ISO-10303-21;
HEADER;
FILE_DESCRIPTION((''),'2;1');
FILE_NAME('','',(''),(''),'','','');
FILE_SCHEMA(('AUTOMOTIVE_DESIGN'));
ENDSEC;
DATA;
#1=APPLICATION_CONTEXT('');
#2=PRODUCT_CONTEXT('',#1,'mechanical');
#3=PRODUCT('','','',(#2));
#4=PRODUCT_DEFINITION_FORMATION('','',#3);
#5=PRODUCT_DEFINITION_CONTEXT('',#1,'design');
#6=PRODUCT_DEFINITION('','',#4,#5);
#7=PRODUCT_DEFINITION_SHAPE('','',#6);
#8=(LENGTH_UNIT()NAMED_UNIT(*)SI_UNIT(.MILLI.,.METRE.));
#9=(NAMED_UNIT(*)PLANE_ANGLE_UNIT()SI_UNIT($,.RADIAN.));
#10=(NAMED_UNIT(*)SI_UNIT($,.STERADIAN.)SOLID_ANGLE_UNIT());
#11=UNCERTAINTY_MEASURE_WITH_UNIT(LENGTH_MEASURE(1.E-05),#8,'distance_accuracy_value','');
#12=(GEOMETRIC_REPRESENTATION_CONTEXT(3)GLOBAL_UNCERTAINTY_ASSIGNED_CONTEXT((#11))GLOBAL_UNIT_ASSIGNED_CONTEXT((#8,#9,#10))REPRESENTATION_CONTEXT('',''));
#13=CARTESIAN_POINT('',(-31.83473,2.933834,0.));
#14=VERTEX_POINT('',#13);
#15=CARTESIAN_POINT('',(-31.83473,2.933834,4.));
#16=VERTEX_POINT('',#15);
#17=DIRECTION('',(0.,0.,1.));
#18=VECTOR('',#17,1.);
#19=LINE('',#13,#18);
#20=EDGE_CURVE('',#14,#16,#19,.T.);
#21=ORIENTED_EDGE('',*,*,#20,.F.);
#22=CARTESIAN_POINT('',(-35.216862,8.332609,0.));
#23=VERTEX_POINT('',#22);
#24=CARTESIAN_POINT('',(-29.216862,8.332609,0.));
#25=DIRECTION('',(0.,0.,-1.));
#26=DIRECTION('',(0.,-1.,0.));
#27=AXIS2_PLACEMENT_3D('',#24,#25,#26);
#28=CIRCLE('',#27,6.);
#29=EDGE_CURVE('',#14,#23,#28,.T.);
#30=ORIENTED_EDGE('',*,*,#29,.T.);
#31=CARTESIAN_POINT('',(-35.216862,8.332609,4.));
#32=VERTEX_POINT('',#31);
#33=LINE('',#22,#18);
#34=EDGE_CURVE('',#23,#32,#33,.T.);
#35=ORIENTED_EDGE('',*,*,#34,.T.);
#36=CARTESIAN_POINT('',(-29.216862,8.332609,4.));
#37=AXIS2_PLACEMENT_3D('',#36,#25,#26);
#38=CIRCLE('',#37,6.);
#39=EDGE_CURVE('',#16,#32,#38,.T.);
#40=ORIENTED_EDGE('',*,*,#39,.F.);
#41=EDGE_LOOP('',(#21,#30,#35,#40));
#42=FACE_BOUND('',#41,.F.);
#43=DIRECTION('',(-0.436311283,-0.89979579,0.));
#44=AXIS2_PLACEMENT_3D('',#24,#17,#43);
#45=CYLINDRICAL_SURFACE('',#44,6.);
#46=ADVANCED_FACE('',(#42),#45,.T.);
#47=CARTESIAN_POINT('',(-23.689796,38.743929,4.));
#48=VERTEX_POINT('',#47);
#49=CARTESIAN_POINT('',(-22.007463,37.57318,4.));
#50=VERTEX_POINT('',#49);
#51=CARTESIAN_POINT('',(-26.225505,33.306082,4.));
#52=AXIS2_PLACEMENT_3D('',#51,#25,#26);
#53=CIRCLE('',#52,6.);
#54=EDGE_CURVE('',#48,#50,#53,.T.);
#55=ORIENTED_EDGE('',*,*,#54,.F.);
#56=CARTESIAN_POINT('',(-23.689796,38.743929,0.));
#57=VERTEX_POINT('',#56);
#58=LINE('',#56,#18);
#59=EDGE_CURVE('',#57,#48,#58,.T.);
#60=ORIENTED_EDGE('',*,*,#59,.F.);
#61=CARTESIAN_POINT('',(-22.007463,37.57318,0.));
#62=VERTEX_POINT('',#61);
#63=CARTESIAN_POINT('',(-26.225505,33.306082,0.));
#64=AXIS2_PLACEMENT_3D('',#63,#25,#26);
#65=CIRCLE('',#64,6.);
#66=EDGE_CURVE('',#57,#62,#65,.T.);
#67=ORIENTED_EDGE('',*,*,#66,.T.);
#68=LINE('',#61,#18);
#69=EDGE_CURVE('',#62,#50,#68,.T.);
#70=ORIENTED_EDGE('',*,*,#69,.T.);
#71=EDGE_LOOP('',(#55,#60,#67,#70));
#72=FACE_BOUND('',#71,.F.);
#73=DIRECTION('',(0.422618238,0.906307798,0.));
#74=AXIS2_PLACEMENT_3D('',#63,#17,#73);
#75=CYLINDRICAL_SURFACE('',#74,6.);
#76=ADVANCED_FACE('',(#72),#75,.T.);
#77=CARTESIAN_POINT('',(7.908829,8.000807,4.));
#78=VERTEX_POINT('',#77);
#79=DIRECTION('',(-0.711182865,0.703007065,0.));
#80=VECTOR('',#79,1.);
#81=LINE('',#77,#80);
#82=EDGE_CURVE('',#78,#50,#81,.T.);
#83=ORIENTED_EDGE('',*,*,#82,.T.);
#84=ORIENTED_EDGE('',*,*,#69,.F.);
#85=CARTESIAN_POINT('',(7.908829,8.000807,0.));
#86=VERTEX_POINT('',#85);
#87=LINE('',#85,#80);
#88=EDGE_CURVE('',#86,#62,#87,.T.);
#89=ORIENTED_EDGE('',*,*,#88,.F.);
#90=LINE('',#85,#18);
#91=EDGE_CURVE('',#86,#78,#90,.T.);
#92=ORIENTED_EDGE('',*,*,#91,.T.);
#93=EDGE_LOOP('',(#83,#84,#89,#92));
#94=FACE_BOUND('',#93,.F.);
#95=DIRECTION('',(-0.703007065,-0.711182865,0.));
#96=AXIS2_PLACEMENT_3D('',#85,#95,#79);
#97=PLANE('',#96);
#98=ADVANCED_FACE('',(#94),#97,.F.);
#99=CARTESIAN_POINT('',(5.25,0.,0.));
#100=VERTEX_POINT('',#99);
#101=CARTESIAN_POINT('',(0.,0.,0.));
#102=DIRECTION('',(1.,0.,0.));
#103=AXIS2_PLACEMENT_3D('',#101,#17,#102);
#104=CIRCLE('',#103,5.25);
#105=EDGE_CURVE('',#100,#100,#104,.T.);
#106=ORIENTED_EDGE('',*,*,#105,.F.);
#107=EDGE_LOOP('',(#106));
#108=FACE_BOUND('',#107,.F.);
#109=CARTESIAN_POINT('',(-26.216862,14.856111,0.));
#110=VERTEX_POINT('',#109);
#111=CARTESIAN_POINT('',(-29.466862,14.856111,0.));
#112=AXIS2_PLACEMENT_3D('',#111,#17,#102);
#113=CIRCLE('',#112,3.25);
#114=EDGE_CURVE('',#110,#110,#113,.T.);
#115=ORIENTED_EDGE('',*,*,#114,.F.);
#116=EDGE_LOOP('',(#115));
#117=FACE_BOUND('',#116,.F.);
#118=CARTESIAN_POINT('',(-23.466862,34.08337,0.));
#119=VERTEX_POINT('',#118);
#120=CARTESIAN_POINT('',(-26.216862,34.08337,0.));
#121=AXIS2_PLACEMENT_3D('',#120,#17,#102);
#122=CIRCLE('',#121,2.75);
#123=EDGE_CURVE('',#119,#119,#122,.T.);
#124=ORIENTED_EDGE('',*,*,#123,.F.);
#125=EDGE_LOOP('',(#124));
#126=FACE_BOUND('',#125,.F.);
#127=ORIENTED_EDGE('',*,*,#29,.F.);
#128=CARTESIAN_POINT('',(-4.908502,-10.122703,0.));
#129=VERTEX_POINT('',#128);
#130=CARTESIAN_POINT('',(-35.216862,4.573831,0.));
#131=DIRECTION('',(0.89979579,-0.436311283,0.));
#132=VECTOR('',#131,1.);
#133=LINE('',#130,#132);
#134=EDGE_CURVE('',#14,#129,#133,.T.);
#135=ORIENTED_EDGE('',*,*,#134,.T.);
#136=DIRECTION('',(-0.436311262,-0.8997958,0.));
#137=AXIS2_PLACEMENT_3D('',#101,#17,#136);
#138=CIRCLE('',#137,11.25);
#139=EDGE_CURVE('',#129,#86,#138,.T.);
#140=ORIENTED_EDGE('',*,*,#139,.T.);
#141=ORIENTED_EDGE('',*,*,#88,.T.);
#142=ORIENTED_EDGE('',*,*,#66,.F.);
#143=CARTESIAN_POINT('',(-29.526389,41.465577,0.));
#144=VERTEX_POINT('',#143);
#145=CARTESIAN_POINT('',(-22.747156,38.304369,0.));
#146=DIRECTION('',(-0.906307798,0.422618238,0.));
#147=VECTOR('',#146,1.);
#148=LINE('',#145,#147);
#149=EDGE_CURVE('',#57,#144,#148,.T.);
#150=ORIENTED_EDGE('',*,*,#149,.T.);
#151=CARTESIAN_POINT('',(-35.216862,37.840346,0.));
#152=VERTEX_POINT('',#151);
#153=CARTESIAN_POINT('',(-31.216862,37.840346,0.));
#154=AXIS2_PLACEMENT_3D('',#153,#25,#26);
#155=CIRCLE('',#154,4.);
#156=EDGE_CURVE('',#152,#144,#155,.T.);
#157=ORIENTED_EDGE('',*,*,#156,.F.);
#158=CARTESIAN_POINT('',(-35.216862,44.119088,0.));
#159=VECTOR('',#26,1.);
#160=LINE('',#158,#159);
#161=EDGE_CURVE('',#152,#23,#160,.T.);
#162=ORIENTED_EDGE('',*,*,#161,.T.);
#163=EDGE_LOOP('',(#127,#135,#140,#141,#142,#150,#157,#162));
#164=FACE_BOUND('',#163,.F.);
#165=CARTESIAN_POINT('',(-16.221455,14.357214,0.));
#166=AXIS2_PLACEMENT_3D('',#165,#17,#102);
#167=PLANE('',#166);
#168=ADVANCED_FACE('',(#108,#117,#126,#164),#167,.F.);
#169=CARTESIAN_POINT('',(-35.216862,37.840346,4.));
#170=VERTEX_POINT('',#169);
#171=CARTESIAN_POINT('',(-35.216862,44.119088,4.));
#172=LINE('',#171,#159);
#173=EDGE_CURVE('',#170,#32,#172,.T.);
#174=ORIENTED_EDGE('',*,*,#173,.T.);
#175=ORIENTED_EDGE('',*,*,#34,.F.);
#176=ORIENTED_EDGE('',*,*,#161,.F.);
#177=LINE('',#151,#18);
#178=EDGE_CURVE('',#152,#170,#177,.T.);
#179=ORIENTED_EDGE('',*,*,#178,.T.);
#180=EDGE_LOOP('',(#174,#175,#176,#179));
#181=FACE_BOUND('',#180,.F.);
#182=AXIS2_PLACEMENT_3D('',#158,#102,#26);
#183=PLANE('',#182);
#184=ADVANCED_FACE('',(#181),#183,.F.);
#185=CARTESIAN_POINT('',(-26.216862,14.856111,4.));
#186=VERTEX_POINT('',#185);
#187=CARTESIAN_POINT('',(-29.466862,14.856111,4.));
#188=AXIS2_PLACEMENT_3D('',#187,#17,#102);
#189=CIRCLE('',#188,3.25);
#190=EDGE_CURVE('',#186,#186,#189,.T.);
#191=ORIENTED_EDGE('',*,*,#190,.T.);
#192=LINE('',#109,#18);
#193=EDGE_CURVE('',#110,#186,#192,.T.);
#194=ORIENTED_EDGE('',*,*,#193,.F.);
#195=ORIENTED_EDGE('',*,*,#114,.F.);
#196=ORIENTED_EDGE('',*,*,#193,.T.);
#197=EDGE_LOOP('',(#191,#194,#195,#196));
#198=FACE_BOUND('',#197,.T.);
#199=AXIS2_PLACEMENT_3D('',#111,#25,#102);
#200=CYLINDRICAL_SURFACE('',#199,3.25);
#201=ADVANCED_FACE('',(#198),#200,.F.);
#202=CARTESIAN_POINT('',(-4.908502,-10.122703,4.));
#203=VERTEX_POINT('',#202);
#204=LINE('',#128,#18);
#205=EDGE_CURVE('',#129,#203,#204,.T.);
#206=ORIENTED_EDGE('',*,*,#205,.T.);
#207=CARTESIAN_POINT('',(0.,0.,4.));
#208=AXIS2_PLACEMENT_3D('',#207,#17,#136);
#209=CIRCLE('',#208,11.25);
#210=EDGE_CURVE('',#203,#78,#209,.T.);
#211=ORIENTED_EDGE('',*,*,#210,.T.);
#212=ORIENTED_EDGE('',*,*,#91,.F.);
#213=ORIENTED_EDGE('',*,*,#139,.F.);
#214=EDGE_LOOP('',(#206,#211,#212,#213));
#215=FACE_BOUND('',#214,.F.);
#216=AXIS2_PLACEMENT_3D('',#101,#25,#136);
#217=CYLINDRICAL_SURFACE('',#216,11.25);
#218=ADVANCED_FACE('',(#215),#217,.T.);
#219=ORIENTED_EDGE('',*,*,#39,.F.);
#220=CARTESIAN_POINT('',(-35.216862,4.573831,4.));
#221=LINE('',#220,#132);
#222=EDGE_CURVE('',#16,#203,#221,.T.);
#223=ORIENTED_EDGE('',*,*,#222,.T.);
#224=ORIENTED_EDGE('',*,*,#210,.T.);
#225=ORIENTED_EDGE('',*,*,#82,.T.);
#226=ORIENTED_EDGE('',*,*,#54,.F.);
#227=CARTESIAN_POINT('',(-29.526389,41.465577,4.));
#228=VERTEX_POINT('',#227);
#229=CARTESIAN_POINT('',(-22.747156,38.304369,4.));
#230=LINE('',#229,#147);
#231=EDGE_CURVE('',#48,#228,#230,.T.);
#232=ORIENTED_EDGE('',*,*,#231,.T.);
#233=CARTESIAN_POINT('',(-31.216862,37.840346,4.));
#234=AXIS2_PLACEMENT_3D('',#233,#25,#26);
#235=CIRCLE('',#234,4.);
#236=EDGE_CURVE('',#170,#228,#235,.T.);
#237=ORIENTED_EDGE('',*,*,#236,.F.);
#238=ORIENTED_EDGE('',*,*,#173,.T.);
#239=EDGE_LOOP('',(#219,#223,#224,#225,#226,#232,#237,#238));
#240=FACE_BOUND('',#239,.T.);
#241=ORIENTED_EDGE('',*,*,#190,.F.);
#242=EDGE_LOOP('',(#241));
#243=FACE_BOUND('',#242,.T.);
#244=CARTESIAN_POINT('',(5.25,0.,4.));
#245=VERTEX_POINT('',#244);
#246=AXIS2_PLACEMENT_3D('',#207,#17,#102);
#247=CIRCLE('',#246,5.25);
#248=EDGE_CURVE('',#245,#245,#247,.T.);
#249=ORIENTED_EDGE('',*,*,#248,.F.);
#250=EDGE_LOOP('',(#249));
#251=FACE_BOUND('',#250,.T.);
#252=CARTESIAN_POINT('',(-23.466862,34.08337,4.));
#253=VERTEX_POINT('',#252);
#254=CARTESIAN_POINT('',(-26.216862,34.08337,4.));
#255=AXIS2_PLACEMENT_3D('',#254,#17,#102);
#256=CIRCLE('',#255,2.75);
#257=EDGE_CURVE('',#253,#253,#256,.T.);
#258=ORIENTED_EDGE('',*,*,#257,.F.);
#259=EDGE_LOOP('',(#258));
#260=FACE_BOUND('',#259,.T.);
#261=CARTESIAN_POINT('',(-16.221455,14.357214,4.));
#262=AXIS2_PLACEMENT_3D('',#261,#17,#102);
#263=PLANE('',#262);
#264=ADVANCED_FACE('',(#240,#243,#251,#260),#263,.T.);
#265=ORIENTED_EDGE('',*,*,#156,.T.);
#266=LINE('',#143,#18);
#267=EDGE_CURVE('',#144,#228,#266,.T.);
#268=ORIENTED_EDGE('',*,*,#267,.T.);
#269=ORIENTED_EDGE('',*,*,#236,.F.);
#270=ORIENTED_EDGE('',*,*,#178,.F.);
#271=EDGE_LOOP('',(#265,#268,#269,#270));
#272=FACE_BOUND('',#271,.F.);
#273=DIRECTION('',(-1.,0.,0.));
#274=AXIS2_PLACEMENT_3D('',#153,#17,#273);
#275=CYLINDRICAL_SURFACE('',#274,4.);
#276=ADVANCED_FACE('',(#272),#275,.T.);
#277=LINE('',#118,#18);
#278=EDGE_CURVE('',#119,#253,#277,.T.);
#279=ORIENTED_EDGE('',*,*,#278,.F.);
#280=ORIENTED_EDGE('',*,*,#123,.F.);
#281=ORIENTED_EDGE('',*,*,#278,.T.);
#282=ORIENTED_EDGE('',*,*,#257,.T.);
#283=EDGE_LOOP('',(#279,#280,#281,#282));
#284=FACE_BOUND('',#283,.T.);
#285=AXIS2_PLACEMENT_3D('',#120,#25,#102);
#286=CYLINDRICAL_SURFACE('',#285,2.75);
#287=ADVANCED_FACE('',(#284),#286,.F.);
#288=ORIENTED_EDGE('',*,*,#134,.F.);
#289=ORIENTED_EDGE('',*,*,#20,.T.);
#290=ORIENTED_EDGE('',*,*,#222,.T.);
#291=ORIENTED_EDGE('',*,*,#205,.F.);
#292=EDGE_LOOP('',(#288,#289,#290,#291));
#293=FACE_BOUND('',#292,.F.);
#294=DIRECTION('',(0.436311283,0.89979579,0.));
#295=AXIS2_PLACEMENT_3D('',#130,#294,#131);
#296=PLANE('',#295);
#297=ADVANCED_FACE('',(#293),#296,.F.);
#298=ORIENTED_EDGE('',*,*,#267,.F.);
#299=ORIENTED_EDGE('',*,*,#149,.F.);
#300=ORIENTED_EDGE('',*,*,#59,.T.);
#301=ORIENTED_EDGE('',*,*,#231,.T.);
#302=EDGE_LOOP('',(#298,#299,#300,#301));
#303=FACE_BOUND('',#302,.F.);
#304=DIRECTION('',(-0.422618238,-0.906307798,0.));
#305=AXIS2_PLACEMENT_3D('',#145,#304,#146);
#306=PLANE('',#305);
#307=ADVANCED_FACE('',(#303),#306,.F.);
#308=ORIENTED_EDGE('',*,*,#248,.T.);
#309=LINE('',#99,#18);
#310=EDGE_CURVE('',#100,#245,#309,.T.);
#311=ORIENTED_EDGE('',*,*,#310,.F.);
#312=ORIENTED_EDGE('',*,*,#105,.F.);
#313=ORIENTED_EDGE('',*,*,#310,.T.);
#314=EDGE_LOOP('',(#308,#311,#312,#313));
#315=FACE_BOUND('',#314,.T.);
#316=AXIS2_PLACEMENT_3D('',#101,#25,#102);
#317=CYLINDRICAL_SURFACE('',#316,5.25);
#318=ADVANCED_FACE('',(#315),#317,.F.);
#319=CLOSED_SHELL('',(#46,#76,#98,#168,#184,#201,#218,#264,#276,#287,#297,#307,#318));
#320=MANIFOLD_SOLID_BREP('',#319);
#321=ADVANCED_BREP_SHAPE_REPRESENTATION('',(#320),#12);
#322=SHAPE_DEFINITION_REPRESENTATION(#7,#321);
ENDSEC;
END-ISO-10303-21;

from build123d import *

# Parameters (mm, degrees)
F0_R     = 3.25
F0_R_2   = 5.25
F0_R_3   = 2.75
F1_DEPTH = 4
F2_R     = 6
F3_R     = 4


with BuildPart() as f1:
    # F0 (on Top) → F1 (new body)
    with BuildSketch(Plane.XY):
        with BuildLine():
            Line((-35.216862, 4.573831), (-4.908502, -10.122703))
            ThreePointArc((-4.908502, -10.122703), (9.185091, -6.495891), (7.908829, 8.000807))
            Line((7.908829, 8.000807), (-22.747156, 38.304369))
            Line((-22.747156, 38.304369), (-35.216862, 44.119088))
            Line((-35.216862, 44.119088), (-35.216862, 4.573831))
        make_face()
        with Locations((-29.466862, 14.856111)):
            Circle(F0_R, mode=Mode.SUBTRACT)
        Circle(F0_R_2, mode=Mode.SUBTRACT)
        with Locations((-26.216862, 34.08337)):
            Circle(F0_R_3, mode=Mode.SUBTRACT)
    extrude(amount=F1_DEPTH)

    # F2
    f2_edges = [f1.edges().sort_by_distance(p)[0] for p in [
        (-22.747156, 38.304369, 2),
        (-35.216862, 4.573831, 2),
    ]]
    fillet(f2_edges, radius=F2_R)

    # F3
    f3_edges = [f1.edges().sort_by_distance(p)[0] for p in [
        (-35.216862, 44.119088, 2),
    ]]
    fillet(f3_edges, radius=F3_R)


solid = f1.part
